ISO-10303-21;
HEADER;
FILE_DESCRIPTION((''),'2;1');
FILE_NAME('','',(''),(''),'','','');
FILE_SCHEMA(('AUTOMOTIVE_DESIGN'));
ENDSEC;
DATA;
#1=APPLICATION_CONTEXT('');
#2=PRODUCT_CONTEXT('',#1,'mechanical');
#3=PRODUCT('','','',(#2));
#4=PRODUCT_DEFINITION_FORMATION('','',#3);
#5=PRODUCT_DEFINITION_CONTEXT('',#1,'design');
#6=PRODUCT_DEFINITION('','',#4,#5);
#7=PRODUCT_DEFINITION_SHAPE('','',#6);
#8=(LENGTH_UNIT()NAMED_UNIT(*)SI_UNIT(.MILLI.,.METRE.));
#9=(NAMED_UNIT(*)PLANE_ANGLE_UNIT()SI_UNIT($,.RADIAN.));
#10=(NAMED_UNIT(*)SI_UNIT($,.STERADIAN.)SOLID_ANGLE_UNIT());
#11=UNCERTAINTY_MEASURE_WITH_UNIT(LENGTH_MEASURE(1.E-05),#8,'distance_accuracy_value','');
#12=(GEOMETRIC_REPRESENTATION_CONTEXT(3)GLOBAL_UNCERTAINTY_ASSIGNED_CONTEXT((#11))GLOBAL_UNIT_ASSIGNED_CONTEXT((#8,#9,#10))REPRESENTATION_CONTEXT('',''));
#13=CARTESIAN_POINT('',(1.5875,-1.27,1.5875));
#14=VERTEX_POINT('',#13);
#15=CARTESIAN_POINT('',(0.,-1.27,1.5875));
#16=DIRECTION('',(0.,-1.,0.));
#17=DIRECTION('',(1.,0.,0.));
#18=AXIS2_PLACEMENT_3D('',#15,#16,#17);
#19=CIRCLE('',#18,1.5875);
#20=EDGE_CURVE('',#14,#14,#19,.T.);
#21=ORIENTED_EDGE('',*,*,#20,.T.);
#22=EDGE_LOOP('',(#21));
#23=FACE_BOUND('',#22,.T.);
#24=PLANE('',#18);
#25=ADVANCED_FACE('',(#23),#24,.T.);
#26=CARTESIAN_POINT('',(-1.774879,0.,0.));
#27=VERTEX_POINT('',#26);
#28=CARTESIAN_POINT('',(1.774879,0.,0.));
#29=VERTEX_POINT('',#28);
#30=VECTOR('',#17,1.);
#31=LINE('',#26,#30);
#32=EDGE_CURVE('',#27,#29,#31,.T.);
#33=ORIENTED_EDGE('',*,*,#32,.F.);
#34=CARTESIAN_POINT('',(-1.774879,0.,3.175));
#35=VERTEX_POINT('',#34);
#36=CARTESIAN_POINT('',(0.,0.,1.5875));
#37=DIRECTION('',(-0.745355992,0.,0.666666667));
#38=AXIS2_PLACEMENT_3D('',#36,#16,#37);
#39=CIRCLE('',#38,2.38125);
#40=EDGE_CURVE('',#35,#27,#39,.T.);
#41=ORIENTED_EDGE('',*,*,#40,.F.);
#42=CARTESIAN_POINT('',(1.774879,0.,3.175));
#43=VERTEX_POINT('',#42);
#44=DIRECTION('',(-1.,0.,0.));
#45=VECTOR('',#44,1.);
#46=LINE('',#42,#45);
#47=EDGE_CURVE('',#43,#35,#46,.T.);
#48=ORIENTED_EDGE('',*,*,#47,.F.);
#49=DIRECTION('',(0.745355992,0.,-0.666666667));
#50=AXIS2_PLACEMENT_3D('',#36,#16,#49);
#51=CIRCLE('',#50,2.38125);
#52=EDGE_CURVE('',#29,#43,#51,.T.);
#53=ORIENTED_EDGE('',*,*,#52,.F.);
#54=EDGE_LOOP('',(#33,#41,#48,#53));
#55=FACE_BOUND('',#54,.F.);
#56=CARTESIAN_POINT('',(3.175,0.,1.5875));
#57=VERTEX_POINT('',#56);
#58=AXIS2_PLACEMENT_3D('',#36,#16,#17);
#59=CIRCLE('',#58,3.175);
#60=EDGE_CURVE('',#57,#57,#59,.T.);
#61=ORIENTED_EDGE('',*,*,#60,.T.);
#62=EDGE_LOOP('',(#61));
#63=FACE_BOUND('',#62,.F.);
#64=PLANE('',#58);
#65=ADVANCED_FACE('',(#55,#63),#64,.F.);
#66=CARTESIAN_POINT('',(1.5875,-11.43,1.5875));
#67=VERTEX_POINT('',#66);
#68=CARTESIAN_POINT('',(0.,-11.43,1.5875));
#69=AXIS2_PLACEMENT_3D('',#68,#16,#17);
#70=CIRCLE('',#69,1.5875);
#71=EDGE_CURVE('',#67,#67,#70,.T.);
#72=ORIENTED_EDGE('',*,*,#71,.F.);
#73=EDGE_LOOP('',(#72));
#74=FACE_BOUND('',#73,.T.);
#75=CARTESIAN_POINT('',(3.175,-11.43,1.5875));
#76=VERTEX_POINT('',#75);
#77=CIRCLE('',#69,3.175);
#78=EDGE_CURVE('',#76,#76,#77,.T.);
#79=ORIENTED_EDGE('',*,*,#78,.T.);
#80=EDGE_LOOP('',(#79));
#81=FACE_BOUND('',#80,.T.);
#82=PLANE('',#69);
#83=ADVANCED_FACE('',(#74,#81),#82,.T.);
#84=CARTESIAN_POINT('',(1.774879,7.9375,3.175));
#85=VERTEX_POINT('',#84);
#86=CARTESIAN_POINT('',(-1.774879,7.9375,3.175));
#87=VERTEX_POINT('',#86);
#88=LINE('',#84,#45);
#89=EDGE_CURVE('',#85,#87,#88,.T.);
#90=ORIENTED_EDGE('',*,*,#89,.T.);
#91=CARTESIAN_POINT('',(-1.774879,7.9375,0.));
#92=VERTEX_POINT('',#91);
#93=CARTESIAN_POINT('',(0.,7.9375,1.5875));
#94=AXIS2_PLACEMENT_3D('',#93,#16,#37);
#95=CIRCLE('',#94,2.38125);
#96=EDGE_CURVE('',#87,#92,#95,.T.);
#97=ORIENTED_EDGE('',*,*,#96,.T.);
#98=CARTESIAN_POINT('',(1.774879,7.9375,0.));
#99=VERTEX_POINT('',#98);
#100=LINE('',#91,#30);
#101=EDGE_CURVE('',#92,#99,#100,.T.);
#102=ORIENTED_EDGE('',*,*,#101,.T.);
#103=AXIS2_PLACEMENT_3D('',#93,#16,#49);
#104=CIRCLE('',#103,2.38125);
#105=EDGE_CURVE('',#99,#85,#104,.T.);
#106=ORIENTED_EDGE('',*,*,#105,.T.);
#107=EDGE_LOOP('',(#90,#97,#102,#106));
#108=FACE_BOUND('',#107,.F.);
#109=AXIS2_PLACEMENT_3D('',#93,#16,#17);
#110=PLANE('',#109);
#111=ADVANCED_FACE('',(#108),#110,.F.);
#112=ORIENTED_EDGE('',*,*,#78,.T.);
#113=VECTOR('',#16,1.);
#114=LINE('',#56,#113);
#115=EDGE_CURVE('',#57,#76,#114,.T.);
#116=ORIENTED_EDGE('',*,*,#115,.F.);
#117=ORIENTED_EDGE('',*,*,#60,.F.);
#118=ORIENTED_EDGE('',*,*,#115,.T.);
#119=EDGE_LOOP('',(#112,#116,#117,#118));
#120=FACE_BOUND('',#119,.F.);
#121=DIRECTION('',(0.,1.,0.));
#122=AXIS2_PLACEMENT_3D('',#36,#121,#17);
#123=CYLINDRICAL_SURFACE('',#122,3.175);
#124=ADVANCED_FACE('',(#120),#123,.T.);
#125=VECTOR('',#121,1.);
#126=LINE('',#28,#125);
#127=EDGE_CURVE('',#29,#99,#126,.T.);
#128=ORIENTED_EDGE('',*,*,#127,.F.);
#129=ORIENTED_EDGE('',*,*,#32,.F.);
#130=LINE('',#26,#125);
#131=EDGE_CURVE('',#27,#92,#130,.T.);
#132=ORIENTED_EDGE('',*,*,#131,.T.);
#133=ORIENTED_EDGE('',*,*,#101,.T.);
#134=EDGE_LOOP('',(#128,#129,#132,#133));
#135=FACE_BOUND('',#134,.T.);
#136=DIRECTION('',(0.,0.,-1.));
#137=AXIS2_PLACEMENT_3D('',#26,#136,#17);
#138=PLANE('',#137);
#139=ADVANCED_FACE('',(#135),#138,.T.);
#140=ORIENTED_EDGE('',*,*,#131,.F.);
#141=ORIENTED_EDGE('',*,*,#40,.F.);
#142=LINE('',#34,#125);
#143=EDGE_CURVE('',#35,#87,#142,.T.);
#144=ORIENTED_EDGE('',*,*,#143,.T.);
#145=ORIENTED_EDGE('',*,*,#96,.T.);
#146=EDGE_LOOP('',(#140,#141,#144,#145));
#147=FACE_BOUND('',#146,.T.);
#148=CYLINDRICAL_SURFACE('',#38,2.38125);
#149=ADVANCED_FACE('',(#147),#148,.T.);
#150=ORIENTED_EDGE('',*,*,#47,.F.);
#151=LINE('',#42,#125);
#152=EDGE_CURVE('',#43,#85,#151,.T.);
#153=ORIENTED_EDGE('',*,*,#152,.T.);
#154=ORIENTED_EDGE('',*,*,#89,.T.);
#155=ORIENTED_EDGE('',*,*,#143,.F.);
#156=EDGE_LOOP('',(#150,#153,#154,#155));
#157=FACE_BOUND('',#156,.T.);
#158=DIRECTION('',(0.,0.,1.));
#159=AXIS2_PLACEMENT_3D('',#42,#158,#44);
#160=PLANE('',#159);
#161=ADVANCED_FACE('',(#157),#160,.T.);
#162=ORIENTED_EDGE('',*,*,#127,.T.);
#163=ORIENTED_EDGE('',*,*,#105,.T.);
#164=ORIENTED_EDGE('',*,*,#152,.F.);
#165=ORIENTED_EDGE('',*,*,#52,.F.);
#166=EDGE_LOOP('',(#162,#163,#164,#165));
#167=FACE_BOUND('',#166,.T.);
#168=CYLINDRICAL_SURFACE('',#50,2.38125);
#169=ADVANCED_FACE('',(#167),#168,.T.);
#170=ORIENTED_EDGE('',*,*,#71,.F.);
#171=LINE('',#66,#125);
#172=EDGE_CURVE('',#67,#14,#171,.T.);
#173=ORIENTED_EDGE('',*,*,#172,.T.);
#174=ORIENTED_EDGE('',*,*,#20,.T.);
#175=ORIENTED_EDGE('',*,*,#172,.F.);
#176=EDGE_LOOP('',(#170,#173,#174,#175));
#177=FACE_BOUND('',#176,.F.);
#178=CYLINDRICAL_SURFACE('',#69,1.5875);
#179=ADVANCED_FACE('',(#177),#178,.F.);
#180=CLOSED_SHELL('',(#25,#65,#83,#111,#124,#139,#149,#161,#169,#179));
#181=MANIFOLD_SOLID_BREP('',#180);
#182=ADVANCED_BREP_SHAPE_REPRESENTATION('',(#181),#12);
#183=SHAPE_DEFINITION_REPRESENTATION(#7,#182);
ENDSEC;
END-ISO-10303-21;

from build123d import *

# Parameters (mm, degrees)
F1_DEPTH = 7.9375
F2_R     = 3.175
F3_DEPTH = 11.43
F4_R     = 1.5875
F5_DEPTH = 10.16


with BuildPart() as f1:
    # F0 (on Front) → F1 (new body)
    with BuildSketch(Plane.XZ):
        with BuildLine():
            Line((-1.7748789571, 0), (1.7748789571, 0))
            ThreePointArc((1.7748789571, 0), (2.38125, 1.5875), (1.7748789571, 3.175))
            Line((1.7748789571, 3.175), (-1.7748789571, 3.175))
            ThreePointArc((-1.7748789571, 3.175), (-2.38125, 1.5875), (-1.7748789571, 0))
        make_face()
    extrude(amount=-F1_DEPTH)

    # F2 (on face) → F3 (join)
    with BuildSketch(Plane.XZ):
        with Locations((0, 1.5875)):
            Circle(F2_R)
        with BuildLine():
            Line((-1.7748789571, 3.175), (1.7748789571, 3.175))
            ThreePointArc((1.7748789571, 3.175), (2.38125, 1.5875), (1.7748789571, 0))
            Line((1.7748789571, 0), (-1.7748789571, 0))
            ThreePointArc((-1.7748789571, 0), (-2.38125, 1.5875), (-1.7748789571, 3.175))
        make_face(mode=Mode.SUBTRACT)
        with BuildLine():
            ThreePointArc((1.7748789571, 0), (2.38125, 1.5875), (1.7748789571, 3.175))
            Line((1.7748789571, 3.175), (-1.7748789571, 3.175))
            ThreePointArc((-1.7748789571, 3.175), (-2.38125, 1.5875), (-1.7748789571, 0))
            Line((-1.7748789571, 0), (1.7748789571, 0))
        make_face()
    extrude(amount=F3_DEPTH)

    # F4 (on face) → F5 (cut)
    with BuildSketch(Plane.XZ.offset(11.43)):
        with Locations((0, 1.5875)):
            Circle(F4_R)
    extrude(amount=-F5_DEPTH, mode=Mode.SUBTRACT)


solid = f1.part
